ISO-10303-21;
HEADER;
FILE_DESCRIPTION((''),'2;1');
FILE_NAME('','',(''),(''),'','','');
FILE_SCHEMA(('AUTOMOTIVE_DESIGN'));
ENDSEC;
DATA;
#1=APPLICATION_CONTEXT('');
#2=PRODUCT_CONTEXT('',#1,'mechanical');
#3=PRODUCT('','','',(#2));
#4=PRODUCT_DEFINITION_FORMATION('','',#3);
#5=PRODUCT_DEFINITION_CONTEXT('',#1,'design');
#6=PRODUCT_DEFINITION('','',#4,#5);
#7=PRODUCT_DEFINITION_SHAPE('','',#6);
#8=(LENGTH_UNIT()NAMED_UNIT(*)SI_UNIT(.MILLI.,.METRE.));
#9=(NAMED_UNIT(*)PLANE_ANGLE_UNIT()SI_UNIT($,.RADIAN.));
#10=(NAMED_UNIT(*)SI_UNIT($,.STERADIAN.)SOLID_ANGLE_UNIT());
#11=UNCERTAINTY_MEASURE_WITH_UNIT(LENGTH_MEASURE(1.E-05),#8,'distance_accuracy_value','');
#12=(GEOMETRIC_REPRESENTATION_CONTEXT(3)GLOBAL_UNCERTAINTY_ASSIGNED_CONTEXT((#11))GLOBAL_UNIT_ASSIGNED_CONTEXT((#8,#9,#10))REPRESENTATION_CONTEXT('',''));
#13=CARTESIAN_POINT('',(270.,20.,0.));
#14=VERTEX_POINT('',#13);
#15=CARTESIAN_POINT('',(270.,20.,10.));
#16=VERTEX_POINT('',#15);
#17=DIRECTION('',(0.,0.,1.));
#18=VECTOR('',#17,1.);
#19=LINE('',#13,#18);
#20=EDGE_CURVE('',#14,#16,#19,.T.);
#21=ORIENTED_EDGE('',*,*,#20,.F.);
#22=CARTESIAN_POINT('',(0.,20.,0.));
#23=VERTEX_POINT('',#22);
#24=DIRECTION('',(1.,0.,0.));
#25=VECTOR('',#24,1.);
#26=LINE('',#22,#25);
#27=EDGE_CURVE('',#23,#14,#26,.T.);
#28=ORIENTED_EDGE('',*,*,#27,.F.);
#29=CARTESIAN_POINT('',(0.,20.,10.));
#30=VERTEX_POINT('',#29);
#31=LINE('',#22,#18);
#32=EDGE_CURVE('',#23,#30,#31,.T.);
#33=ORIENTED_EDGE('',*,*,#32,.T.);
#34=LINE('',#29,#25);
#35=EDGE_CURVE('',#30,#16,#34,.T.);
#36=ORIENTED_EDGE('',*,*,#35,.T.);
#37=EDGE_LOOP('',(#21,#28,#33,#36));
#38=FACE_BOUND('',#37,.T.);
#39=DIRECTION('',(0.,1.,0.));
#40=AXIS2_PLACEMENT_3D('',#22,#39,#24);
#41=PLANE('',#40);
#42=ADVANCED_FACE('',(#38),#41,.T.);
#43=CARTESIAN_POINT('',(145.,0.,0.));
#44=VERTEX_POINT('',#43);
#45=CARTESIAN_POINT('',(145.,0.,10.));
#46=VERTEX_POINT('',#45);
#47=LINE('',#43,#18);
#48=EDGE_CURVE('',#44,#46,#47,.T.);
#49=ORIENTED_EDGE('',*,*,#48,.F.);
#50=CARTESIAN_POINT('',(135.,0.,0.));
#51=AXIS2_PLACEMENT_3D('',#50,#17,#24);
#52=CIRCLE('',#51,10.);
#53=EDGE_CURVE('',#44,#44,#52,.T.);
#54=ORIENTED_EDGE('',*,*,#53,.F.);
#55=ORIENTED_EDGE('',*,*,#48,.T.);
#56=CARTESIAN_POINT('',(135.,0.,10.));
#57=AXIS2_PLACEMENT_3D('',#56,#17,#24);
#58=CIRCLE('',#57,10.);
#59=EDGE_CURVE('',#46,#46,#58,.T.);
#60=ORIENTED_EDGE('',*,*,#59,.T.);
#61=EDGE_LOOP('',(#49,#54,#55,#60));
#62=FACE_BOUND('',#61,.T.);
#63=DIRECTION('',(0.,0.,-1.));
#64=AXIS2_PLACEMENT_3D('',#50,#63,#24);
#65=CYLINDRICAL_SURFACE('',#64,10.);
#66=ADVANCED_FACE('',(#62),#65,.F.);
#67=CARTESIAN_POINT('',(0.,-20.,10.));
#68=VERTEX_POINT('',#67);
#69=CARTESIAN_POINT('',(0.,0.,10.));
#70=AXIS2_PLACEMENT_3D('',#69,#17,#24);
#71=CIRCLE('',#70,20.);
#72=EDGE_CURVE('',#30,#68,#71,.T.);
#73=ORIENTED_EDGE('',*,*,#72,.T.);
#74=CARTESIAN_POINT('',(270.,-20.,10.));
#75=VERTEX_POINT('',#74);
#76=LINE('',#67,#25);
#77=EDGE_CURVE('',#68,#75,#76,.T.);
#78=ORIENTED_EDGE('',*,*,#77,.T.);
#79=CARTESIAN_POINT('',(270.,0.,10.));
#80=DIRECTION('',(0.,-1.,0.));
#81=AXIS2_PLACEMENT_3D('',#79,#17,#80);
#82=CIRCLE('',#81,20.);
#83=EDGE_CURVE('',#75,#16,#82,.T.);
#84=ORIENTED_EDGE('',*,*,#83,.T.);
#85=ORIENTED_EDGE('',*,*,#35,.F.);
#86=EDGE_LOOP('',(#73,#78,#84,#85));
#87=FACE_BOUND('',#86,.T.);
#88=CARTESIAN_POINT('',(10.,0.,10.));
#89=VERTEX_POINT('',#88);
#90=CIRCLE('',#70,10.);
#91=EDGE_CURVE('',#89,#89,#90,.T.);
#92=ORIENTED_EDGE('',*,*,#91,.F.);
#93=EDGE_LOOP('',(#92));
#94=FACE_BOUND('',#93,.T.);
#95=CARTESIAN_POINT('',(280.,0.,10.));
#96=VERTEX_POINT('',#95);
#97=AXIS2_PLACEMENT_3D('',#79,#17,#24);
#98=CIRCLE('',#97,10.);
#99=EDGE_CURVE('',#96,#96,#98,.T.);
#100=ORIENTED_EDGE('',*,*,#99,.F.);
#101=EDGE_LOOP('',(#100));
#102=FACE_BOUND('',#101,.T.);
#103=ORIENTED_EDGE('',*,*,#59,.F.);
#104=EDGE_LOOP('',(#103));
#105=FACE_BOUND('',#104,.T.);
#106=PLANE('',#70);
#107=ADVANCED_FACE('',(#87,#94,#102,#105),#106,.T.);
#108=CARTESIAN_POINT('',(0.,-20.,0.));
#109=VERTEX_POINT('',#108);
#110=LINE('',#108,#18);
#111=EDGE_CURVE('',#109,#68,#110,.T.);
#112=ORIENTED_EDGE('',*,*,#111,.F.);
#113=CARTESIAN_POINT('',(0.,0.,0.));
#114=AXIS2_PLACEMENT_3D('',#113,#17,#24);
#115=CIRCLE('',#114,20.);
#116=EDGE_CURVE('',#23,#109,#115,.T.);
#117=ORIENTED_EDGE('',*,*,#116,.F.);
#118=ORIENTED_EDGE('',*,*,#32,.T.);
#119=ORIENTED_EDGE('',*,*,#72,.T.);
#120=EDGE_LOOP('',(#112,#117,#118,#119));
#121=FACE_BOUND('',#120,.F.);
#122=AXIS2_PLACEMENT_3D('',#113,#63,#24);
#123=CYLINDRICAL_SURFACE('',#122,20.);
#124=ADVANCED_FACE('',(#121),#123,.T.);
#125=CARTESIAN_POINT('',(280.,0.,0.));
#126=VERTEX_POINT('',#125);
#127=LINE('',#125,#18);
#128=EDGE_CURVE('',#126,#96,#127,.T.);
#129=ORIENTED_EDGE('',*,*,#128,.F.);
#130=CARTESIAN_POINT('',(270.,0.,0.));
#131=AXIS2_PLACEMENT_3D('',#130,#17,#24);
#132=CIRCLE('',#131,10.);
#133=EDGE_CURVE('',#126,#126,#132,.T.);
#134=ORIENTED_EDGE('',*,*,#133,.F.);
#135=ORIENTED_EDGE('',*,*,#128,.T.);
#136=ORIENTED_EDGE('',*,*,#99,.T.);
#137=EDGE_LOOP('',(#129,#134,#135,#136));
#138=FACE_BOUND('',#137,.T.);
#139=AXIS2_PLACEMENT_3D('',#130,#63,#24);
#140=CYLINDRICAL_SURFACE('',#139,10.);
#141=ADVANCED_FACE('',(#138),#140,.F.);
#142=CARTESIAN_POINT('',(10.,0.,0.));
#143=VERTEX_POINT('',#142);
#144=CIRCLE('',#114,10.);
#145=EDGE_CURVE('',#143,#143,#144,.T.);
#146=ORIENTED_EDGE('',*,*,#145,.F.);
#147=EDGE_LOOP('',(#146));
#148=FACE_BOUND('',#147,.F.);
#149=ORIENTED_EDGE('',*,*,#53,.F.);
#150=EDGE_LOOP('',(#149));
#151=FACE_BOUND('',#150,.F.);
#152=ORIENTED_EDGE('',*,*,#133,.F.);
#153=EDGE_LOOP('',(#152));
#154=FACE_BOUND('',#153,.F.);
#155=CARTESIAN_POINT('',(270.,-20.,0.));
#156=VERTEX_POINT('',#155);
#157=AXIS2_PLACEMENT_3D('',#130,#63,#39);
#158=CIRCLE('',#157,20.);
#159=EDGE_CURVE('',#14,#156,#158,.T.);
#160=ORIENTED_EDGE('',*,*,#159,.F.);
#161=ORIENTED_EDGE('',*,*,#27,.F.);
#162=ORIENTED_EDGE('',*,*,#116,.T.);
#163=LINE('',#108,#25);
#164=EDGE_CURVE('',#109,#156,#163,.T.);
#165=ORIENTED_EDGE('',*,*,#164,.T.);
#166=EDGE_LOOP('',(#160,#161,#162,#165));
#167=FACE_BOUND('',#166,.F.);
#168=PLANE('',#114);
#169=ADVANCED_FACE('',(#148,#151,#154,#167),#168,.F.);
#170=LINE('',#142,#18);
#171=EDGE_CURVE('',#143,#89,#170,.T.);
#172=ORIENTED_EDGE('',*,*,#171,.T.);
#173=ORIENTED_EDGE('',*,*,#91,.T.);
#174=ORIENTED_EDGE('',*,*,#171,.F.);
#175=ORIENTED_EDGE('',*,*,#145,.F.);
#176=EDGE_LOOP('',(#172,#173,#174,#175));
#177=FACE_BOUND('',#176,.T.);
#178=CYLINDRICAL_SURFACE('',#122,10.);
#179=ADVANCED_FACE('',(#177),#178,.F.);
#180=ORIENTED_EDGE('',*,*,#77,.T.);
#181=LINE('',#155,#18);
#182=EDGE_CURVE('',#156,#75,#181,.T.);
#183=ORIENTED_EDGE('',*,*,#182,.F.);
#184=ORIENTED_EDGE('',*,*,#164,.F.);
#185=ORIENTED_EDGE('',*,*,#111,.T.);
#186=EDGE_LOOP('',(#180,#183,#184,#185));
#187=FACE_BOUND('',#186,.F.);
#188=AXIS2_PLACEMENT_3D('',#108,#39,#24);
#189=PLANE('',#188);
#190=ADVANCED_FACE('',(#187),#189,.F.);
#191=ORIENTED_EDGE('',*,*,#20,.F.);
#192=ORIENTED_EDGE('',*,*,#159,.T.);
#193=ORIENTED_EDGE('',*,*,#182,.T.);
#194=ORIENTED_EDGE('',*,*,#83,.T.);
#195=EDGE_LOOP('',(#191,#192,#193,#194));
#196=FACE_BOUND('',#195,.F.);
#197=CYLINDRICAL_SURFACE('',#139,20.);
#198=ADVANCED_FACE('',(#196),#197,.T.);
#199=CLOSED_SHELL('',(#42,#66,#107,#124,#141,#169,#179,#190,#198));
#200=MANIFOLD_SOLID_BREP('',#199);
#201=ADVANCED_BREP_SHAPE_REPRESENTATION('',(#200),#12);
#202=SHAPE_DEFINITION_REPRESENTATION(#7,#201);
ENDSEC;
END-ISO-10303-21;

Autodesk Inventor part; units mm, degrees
ref_plane "YZ Plane" through (0, 0, 0) normal (1, 0, 0) x (0, 1, 0)
ref_plane "XZ Plane" through (0, 0, 0) normal (0, 1, 0) x (-1, 0, 0)
sketch "Sketch1" plane through (0, 0, 0) normal (0, 0, 1) x (1, 0, 0)
  line L0 (0, 0) -> (135, 0) construction
  line L1 (135, 0) -> (270, 0) construction
  circle A0 centre (0, 0) radius 10
  circle A1 centre (270, 0) radius 10
  circle A2 centre (0, 0) radius 20
  circle A3 centre (270, 0) radius 20
  line L2 (0, 20) -> (270, 20)
  line L3 (0, -20) -> (270, -20)
  circle A4 centre (135, 0) radius 10
  dimension "d0" = 135
  dimension "d1" = 20
  dimension "d2" = 20
  dimension "d3" = 40
  dimension "d4" = 40
  dimension "d7" = 20
extrude "Extrusion1" add sketch "Sketch1" along normal blind 10
ref_plane "Work Plane1" through (0, 0, 5) normal (0, 0, 1) x (1, 0, 0)
properties part number "EslabonPreliminarElevacion"
